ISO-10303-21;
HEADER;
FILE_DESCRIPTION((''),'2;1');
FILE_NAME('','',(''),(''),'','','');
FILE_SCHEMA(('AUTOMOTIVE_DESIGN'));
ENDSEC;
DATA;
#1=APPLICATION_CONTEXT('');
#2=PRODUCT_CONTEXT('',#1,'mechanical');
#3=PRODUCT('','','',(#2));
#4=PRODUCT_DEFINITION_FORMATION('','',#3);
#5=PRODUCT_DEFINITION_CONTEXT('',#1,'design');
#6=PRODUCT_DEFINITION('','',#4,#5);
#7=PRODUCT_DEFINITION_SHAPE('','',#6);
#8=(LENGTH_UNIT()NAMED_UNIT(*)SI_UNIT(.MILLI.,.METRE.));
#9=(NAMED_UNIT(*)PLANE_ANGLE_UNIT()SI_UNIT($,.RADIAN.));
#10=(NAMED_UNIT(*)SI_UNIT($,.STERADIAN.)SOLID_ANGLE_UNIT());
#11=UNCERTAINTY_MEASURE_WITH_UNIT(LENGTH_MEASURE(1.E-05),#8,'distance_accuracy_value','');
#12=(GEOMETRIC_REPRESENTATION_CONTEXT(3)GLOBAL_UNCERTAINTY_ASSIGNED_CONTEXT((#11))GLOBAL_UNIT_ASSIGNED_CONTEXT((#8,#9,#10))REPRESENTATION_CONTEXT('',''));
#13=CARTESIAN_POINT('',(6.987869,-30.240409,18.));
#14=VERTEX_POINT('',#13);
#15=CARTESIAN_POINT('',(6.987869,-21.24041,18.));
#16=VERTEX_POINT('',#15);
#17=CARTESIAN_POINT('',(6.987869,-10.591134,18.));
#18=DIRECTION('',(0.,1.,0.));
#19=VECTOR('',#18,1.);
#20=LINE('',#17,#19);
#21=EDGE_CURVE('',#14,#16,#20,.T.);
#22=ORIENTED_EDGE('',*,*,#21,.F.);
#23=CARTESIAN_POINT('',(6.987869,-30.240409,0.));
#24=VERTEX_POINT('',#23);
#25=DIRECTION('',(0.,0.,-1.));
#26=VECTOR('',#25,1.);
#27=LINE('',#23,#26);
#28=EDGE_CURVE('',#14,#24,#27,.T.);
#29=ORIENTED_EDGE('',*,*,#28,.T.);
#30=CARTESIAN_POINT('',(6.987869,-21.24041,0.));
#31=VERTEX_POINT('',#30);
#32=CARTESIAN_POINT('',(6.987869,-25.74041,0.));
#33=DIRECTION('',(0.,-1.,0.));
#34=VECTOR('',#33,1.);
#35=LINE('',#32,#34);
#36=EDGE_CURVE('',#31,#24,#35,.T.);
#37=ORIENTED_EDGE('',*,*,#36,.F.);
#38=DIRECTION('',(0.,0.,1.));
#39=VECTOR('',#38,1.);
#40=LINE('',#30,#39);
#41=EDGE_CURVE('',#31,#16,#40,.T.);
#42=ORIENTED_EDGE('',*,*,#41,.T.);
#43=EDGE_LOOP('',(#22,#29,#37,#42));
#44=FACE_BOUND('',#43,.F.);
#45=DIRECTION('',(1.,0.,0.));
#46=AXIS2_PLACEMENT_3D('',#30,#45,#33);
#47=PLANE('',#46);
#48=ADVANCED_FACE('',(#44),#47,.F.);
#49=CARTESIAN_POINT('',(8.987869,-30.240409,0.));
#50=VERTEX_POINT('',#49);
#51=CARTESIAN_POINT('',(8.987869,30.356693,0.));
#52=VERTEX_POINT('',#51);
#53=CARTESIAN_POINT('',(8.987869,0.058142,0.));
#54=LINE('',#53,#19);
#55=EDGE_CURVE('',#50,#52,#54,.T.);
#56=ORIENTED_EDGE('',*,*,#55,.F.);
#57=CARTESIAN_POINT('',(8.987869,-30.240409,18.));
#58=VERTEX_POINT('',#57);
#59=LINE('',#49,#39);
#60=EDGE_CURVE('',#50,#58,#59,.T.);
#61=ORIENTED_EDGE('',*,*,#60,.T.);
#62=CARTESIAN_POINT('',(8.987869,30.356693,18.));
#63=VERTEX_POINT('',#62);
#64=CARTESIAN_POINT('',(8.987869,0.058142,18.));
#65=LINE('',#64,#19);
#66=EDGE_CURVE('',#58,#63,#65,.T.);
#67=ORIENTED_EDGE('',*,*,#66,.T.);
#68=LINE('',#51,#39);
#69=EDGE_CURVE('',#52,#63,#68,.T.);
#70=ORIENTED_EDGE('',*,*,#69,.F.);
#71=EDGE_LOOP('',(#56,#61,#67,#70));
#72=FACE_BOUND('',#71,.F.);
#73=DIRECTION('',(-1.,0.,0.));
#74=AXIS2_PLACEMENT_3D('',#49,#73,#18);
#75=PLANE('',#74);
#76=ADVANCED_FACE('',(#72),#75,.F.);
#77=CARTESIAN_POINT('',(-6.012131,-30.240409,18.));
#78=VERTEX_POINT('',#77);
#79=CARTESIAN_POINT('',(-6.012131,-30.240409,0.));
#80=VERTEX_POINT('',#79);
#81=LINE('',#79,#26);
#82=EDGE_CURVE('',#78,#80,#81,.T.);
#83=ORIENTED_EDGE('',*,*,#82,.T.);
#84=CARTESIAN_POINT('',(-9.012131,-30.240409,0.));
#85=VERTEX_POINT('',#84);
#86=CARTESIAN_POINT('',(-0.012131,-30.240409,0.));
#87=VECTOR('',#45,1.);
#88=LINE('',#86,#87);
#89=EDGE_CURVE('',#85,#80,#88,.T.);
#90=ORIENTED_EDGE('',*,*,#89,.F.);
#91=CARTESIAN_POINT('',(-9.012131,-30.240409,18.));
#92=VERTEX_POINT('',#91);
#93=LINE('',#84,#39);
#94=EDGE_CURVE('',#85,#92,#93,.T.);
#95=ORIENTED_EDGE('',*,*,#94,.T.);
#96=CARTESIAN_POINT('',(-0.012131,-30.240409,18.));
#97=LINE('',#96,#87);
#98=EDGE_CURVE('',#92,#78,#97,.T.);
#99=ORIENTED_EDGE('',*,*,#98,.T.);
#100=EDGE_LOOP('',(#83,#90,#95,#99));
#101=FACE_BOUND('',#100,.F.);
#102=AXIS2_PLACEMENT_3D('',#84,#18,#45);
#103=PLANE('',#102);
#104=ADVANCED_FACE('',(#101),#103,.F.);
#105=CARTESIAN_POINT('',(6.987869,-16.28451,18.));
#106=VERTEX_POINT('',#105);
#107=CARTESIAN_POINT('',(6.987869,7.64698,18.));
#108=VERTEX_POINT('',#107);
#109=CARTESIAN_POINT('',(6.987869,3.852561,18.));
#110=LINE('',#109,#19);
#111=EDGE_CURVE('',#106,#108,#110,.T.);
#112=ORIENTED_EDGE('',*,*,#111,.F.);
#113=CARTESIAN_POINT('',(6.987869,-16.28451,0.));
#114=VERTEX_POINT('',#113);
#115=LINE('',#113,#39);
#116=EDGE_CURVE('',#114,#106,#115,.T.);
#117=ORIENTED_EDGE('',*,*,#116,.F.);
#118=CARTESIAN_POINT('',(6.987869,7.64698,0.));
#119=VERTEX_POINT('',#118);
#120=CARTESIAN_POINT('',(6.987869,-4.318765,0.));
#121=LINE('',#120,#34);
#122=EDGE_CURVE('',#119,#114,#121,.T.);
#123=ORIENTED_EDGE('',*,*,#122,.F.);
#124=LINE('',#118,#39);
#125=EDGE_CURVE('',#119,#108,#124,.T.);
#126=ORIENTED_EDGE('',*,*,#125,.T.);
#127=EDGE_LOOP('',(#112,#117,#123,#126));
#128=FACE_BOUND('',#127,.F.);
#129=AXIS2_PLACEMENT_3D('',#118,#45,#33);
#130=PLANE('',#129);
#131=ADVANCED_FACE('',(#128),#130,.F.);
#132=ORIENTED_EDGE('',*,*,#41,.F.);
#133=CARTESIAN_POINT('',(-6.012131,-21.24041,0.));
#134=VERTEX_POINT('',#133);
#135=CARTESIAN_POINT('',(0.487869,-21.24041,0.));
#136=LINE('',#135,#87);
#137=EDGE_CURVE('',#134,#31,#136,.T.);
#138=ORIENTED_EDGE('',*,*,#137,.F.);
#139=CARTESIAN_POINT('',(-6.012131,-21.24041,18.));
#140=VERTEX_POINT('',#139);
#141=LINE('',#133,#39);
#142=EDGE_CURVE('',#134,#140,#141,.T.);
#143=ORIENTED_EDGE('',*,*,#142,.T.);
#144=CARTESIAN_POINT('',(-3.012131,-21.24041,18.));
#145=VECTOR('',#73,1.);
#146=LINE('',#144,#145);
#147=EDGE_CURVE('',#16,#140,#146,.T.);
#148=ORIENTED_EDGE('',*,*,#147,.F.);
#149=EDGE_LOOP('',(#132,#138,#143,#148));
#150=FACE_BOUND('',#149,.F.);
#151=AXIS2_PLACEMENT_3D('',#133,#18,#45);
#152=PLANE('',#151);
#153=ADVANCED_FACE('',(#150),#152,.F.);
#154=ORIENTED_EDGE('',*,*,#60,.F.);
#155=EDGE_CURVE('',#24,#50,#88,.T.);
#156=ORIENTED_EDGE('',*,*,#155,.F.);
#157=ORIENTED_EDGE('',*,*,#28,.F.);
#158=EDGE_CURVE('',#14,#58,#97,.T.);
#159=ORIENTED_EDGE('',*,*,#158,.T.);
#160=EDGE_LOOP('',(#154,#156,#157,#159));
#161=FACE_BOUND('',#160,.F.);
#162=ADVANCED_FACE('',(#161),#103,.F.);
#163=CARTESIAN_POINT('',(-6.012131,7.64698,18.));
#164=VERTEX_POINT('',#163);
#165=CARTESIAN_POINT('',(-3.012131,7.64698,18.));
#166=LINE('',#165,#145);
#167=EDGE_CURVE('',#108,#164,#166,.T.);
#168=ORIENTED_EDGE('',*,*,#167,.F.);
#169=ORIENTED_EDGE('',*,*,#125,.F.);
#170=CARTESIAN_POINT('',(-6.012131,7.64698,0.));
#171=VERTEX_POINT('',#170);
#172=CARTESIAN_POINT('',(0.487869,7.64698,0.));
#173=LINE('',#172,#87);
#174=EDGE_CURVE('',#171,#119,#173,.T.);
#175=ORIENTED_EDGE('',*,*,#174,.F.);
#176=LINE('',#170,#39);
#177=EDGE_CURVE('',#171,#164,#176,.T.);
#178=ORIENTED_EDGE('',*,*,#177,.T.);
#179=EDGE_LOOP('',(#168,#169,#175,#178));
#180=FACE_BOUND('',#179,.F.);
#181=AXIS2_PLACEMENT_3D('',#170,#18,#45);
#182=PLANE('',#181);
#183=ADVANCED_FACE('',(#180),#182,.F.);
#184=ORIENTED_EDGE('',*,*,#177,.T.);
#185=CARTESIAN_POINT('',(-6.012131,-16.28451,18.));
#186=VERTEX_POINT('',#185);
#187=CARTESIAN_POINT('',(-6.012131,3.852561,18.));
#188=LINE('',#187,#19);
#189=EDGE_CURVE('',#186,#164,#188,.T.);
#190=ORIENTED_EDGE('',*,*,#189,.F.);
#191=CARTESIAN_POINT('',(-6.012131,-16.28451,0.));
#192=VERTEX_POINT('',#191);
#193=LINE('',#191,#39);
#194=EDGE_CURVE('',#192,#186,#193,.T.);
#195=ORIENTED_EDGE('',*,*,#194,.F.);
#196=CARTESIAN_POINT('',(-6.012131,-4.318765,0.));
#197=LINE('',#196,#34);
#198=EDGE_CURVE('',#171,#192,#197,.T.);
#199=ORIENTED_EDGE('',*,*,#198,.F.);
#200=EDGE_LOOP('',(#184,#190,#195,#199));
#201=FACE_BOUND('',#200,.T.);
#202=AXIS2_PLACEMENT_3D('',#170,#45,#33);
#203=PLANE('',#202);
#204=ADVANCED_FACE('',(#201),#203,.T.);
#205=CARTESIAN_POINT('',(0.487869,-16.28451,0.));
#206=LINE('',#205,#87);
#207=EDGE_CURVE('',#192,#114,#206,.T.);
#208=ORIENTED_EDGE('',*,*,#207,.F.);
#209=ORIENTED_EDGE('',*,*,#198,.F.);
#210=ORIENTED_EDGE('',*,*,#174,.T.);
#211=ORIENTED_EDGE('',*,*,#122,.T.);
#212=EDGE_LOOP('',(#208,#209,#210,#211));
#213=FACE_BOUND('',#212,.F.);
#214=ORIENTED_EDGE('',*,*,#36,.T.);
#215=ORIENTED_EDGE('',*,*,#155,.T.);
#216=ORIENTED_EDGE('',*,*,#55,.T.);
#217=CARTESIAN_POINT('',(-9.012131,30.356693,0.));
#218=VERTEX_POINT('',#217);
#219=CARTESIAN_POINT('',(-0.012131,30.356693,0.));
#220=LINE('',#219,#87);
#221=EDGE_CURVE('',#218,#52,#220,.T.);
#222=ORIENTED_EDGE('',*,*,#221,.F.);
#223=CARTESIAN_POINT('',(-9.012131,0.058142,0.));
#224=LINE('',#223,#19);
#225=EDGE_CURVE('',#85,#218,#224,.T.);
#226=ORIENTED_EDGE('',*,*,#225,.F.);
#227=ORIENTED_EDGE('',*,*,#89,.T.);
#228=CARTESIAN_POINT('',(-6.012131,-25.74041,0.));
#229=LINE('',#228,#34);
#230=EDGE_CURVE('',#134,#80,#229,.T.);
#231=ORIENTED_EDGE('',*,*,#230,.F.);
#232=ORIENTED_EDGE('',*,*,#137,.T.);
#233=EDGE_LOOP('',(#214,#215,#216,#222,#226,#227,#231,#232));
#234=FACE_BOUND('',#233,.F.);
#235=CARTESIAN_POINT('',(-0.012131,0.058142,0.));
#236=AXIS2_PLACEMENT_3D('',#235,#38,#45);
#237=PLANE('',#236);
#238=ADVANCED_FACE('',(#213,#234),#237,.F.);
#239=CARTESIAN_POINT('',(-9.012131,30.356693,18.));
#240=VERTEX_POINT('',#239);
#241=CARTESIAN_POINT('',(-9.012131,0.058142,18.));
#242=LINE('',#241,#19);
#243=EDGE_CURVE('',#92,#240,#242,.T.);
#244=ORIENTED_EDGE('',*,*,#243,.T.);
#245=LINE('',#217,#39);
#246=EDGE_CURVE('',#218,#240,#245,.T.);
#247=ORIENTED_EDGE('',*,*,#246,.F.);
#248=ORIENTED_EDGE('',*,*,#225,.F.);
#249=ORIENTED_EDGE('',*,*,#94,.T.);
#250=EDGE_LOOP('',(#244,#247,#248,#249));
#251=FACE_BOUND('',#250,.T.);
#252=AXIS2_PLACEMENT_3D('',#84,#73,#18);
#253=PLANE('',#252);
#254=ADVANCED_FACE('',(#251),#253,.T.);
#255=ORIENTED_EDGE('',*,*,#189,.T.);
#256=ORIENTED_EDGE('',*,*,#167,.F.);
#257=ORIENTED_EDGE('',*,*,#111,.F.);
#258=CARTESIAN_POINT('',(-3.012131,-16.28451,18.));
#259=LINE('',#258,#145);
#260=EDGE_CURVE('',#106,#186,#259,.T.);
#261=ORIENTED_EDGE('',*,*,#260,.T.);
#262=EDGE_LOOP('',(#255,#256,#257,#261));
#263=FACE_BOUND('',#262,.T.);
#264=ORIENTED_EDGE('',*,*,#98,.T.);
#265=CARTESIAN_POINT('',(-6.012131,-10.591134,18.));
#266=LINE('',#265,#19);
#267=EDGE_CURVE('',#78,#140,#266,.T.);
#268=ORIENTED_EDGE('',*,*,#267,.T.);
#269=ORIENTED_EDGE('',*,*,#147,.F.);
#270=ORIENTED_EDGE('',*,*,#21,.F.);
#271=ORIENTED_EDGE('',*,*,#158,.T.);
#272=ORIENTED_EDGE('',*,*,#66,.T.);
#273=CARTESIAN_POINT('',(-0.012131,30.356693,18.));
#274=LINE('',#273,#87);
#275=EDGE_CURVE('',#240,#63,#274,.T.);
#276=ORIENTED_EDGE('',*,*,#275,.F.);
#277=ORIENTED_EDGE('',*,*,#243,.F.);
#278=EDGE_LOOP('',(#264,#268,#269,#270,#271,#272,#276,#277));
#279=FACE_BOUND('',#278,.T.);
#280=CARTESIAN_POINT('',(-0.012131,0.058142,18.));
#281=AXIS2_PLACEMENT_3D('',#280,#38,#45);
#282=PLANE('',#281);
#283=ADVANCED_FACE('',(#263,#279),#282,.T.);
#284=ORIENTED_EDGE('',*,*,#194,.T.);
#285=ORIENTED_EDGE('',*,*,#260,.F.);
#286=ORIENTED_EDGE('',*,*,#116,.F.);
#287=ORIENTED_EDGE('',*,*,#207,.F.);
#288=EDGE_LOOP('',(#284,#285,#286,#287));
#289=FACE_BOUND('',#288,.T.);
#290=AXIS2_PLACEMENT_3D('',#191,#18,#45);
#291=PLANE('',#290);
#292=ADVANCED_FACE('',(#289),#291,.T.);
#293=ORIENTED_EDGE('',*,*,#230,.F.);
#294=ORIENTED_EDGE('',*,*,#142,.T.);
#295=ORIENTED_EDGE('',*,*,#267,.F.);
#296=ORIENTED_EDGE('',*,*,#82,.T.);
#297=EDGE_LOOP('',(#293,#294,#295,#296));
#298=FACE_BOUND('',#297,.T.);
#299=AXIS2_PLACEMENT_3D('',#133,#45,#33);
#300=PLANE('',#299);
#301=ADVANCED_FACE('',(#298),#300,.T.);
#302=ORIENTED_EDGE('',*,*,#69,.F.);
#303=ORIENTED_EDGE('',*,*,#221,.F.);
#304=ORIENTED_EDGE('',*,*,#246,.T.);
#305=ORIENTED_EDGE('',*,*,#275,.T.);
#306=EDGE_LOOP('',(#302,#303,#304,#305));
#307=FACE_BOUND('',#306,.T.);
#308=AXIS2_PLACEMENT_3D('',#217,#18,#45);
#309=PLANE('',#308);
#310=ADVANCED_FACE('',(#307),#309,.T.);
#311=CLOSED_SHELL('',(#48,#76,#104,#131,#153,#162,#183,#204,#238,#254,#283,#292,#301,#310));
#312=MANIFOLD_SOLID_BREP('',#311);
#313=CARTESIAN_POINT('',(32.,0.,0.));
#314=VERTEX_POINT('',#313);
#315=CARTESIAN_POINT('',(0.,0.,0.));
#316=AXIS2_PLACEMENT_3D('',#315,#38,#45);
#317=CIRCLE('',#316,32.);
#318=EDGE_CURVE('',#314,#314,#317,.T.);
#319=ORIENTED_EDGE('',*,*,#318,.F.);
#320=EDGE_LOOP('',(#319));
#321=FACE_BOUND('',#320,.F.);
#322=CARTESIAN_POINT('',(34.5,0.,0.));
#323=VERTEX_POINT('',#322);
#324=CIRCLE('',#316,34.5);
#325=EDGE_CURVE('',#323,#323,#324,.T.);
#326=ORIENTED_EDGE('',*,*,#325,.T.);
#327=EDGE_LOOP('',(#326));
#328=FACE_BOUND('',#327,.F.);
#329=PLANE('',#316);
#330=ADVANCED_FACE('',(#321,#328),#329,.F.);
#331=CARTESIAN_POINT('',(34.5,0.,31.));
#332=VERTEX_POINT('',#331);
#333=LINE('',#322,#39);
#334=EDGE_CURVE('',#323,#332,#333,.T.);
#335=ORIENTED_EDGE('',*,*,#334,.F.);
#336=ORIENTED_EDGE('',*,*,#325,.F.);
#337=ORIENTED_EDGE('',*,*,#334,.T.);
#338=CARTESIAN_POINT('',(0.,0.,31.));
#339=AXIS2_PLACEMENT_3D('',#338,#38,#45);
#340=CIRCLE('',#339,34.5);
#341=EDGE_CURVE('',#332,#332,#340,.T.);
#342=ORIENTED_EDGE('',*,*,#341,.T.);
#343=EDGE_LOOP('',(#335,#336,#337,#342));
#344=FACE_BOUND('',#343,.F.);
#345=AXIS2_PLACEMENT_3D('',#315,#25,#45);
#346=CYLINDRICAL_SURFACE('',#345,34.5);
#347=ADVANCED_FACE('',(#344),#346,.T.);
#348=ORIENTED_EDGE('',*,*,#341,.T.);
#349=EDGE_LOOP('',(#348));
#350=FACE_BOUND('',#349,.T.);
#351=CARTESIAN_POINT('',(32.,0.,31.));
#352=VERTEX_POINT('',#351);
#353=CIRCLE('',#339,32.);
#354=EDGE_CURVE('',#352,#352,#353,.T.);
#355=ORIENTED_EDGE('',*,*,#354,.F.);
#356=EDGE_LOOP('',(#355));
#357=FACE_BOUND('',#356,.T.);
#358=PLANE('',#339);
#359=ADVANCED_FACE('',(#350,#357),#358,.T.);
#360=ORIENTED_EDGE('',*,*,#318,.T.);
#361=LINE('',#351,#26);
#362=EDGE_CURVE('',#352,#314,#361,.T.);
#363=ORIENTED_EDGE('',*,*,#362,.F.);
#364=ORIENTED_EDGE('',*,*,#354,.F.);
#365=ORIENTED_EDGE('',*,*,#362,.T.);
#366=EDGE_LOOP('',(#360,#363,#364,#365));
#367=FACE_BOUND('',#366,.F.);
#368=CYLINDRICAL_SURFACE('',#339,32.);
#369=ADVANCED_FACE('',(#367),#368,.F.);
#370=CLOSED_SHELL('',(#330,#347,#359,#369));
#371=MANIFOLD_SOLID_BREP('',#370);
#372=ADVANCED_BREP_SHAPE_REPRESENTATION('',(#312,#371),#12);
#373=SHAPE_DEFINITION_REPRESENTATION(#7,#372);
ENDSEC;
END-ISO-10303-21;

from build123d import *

# Parameters (mm, degrees)
F0_R     = 34.5
F1_DEPTH = 31
F2_R     = 32
F3_DEPTH = 32
F4_W     = 18
F4_H     = 60.597103
F5_DEPTH = 18
F6_W     = 13
F6_H     = 9
F7_DEPTH = 25
F8_W     = 13
F8_H     = 23.931491
F9_DEPTH = 25


with BuildPart() as f1:
    # F0 (on Top) → F1 (new body)
    with BuildSketch(Plane.XY):
        Circle(F0_R)
    extrude(amount=F1_DEPTH)

    # F2 (on face) → F3 (cut)
    with BuildSketch(Plane.XY.offset(31)):
        Circle(F2_R)
    extrude(amount=-F3_DEPTH, mode=Mode.SUBTRACT)


with BuildPart() as f5:
    # F4 (on Top) → F5 (new body)
    with BuildSketch(Plane.XY):
        with Locations((-0.012131, 0.058142)):
            Rectangle(F4_W, F4_H)
    extrude(amount=F5_DEPTH)

    # F6 (on face) → F7 (cut)
    with BuildSketch(Plane(origin=(0, 0, 0), x_dir=(1, 0, 0), z_dir=(0, 0, -1))):
        with Locations((0.487869, 25.74041)):
            Rectangle(F6_W, F6_H)
    extrude(amount=-F7_DEPTH, mode=Mode.SUBTRACT)

    # F8 (on face) → F9 (cut)
    with BuildSketch(Plane(origin=(0, 0, 0), x_dir=(1, 0, 0), z_dir=(0, 0, -1))):
        with Locations((0.487869, 4.318765)):
            Rectangle(F8_W, F8_H)
    extrude(amount=-F9_DEPTH, mode=Mode.SUBTRACT)


solid = Compound([f1.part, f5.part])
